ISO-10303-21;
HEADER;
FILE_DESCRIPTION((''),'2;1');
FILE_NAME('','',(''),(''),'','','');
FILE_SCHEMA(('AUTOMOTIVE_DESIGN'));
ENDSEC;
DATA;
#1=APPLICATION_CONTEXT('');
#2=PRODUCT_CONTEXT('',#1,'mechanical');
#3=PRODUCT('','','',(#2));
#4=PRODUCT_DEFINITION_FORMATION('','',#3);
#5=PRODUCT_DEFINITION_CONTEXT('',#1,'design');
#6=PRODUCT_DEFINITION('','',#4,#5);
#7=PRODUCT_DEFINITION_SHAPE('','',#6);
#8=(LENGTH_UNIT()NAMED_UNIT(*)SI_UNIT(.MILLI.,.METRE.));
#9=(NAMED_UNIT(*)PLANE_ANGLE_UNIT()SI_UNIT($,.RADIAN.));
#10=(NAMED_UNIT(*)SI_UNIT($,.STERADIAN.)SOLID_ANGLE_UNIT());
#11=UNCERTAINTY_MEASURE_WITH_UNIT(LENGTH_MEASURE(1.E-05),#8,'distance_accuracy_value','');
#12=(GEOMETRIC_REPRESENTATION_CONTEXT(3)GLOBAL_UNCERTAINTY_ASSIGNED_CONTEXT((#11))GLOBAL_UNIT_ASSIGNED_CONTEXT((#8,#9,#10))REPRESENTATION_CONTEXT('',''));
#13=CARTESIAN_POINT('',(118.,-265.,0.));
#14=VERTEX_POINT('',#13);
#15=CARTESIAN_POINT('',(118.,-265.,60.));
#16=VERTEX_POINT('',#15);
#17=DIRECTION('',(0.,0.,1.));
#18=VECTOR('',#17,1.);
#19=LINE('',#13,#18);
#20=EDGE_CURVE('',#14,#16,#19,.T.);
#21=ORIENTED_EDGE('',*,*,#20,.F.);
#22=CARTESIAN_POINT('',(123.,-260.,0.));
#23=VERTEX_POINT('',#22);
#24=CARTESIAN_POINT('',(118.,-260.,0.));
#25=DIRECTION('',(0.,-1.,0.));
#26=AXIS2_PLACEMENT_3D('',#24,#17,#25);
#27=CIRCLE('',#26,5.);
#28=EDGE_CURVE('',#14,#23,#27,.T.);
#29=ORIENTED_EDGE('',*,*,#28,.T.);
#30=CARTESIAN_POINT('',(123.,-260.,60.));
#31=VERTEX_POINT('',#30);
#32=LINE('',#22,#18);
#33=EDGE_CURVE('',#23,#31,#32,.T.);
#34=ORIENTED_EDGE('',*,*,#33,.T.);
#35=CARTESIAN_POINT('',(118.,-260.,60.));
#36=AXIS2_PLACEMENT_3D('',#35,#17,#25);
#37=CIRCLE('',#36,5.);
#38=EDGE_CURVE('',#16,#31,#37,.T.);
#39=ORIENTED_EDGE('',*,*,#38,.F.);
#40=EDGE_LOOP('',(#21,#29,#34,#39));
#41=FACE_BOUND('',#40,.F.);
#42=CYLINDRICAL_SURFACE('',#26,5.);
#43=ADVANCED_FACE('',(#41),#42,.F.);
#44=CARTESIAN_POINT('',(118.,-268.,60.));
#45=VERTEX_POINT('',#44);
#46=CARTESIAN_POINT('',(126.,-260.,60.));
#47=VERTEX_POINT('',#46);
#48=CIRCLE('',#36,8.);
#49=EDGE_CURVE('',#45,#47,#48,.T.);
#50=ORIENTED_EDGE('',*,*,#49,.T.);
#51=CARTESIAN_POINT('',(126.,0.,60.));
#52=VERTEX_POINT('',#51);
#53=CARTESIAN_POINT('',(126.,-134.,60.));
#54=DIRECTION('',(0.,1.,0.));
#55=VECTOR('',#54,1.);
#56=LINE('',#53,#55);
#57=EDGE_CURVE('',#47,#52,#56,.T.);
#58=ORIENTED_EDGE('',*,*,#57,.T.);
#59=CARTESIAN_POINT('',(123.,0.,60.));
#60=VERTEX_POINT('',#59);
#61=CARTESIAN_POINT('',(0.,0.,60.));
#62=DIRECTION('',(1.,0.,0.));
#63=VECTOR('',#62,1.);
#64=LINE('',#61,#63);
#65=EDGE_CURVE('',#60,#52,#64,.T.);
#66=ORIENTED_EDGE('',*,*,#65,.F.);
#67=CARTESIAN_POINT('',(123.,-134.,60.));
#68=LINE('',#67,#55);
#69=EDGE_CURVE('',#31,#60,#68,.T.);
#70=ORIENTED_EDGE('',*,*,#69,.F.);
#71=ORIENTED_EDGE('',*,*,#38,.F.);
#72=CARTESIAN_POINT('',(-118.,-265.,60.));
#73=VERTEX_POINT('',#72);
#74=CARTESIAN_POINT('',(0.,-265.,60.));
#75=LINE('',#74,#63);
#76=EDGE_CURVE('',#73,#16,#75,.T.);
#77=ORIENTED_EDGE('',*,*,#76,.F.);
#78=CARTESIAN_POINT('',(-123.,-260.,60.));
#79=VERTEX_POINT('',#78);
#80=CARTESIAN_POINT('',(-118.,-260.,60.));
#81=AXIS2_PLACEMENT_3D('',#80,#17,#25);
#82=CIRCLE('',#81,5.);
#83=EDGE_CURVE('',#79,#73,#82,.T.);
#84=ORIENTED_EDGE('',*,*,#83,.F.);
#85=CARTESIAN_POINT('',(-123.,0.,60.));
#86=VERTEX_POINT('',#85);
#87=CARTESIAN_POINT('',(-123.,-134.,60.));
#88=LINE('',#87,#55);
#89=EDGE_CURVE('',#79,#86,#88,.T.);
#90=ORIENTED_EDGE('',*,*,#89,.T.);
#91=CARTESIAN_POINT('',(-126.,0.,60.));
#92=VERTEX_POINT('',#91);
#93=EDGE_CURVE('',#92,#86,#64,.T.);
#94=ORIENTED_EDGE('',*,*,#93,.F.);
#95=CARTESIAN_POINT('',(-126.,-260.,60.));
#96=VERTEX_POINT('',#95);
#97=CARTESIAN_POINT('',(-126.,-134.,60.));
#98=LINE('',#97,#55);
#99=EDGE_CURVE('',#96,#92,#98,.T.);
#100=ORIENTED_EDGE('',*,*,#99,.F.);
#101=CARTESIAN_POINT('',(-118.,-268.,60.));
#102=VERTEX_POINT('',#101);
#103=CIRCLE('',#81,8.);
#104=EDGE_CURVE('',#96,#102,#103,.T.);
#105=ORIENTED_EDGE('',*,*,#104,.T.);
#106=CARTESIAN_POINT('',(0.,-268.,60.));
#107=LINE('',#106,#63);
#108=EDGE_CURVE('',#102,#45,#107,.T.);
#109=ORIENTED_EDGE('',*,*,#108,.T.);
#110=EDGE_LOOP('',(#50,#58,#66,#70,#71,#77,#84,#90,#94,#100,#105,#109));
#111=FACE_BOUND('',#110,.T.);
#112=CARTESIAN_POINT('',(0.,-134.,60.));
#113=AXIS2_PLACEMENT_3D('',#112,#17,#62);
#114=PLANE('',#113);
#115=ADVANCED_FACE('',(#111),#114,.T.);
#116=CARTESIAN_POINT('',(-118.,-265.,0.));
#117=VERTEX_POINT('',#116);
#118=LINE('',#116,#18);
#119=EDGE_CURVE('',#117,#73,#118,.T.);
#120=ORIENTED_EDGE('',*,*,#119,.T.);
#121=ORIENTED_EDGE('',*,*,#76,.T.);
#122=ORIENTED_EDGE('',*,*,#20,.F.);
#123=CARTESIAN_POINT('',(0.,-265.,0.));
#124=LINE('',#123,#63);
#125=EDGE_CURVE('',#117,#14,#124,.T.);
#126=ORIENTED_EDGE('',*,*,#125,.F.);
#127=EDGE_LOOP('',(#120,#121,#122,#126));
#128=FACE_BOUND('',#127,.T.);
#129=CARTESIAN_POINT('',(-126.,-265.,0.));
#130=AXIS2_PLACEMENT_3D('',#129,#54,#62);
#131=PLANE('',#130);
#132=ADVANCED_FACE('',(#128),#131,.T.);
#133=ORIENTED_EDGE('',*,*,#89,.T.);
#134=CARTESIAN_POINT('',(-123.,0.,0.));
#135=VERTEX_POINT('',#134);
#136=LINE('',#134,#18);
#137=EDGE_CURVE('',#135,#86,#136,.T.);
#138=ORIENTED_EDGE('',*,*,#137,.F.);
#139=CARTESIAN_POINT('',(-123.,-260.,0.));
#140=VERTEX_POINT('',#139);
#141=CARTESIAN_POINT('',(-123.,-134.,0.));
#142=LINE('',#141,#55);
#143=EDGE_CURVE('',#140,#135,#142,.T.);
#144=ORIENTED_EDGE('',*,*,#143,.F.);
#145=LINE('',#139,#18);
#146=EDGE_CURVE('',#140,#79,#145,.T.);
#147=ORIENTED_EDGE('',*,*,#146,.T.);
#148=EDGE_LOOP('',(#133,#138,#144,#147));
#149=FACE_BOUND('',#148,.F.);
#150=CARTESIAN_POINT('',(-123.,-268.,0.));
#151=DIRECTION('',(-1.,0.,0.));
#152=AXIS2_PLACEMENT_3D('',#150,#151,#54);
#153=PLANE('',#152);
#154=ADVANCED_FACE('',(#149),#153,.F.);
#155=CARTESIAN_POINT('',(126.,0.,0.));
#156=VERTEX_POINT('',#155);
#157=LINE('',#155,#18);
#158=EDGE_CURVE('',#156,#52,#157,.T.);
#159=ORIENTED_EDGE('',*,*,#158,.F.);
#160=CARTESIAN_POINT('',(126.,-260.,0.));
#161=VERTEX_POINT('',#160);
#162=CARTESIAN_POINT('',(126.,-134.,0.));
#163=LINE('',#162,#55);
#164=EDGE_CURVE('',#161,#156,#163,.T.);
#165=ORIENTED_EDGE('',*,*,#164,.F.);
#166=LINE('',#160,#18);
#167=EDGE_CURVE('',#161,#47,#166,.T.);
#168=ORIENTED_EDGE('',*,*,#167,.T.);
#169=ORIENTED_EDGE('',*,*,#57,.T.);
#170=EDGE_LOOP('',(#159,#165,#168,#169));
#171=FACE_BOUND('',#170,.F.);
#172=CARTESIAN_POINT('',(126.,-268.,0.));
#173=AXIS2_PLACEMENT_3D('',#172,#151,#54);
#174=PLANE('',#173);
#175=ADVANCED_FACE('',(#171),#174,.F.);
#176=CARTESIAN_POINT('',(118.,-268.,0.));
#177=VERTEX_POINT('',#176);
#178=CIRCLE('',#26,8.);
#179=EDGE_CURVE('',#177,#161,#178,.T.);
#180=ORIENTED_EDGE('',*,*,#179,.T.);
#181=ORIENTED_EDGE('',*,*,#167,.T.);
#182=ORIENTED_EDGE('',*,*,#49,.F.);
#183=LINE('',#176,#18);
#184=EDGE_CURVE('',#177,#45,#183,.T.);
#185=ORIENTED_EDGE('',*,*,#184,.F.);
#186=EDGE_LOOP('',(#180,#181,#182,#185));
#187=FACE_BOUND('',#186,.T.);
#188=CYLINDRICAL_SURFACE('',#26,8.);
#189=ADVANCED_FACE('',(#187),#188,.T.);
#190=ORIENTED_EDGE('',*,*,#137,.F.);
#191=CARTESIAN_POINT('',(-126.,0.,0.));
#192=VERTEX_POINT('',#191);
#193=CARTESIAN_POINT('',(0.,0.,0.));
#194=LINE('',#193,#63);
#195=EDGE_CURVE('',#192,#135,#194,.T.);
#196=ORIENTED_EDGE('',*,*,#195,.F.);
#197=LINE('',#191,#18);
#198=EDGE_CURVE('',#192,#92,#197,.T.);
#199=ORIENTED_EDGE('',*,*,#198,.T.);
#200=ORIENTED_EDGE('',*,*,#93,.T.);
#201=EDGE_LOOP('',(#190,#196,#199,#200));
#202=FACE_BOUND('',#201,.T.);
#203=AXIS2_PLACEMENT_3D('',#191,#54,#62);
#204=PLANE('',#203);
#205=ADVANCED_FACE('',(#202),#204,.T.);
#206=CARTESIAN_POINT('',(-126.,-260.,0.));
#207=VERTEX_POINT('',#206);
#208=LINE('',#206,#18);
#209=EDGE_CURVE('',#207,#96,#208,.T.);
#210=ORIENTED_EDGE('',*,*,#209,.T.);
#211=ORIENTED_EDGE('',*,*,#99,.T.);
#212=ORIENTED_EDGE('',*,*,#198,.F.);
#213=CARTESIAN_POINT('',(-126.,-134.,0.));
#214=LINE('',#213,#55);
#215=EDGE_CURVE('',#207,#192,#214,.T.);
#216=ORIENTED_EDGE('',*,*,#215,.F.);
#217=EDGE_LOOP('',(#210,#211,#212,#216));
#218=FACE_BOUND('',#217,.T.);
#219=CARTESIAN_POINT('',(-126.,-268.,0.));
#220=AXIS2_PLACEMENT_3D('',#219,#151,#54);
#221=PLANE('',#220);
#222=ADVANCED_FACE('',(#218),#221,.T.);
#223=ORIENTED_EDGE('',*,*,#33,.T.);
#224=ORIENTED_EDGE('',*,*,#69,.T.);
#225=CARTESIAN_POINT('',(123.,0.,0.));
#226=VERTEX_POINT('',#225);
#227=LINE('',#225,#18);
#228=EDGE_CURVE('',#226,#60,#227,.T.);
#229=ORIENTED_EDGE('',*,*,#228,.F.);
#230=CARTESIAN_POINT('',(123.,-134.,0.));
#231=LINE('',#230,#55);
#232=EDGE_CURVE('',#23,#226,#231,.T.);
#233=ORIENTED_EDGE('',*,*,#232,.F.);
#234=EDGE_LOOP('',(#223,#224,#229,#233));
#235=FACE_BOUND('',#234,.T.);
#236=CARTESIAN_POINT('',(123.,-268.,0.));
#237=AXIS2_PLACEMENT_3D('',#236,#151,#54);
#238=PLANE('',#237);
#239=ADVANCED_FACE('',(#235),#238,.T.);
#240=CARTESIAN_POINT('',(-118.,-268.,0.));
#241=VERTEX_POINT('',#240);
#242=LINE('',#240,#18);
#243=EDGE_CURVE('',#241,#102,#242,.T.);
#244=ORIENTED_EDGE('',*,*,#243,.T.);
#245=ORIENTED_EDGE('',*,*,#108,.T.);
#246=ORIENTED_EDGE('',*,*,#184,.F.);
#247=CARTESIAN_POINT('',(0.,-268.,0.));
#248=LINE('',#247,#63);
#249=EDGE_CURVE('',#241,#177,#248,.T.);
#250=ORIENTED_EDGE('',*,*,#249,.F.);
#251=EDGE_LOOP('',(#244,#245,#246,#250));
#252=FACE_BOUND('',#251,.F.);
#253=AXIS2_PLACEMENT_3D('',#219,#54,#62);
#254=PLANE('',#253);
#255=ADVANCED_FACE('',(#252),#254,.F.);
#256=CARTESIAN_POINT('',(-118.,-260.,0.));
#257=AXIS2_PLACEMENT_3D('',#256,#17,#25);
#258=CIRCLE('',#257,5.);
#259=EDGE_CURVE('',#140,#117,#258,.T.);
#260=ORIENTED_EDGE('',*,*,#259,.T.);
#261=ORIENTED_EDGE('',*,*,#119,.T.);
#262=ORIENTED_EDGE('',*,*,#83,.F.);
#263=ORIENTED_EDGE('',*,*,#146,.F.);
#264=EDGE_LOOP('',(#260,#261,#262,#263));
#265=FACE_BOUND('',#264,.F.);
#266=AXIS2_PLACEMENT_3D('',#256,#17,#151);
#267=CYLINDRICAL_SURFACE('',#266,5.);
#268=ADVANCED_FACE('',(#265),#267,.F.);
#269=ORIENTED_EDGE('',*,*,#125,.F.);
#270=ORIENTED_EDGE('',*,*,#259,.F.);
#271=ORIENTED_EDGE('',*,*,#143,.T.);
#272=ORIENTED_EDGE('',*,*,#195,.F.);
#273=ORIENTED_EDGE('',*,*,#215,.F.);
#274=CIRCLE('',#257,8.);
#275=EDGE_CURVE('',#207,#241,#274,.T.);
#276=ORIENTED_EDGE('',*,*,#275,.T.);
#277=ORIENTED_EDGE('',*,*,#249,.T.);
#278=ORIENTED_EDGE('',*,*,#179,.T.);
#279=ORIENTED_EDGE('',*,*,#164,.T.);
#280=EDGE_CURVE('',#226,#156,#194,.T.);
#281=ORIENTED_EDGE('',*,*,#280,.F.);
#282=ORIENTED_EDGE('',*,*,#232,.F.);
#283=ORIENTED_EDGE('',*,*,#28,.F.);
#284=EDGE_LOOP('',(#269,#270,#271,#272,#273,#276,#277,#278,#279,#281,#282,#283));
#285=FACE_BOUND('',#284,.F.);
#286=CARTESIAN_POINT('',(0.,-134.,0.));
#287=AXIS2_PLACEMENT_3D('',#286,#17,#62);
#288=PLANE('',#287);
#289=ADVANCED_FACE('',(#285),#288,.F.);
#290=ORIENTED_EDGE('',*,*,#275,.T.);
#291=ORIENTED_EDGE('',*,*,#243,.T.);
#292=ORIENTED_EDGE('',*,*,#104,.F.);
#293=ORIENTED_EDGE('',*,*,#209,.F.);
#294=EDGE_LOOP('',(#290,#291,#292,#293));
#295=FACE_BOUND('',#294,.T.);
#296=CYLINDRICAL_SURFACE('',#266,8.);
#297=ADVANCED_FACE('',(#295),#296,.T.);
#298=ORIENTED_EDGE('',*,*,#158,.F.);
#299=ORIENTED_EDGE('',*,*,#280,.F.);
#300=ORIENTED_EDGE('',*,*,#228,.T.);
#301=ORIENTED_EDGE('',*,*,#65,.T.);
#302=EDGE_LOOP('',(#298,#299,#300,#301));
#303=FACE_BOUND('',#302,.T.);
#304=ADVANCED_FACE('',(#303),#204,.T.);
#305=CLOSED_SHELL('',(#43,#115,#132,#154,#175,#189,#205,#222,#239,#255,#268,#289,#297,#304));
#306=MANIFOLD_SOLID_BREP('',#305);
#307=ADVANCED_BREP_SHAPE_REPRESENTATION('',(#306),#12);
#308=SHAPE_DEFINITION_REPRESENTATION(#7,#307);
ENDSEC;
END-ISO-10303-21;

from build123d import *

# Parameters (mm, degrees)
SKETCH005_W    = 252
SKETCH005_H    = 268
PAD005_DEPTH   = 60
FILLET003_R    = 8
THICKNESS001_T = -3


with BuildPart() as part:
    # Sketch005 → Pad005 (new body)
    with BuildSketch(Plane.XY):
        with Locations((0, -134)):
            Rectangle(SKETCH005_W, SKETCH005_H)
    extrude(amount=PAD005_DEPTH)

    # Fillet003
    fillet003_edges = [part.edges().sort_by_distance(p)[0] for p in [
        (126, -268, 30),
        (-126, -268, 30),
    ]]
    fillet(fillet003_edges, radius=FILLET003_R)

    # Thickness001
    thickness001_openings = [part.faces().sort_by_distance(p)[0] for p in [
        (0, -133.946203, 60),
        (0, 0, 30),
        (0, -133.946203, 0),
    ]]
    offset(amount=THICKNESS001_T, openings=thickness001_openings)


solid = part.part
